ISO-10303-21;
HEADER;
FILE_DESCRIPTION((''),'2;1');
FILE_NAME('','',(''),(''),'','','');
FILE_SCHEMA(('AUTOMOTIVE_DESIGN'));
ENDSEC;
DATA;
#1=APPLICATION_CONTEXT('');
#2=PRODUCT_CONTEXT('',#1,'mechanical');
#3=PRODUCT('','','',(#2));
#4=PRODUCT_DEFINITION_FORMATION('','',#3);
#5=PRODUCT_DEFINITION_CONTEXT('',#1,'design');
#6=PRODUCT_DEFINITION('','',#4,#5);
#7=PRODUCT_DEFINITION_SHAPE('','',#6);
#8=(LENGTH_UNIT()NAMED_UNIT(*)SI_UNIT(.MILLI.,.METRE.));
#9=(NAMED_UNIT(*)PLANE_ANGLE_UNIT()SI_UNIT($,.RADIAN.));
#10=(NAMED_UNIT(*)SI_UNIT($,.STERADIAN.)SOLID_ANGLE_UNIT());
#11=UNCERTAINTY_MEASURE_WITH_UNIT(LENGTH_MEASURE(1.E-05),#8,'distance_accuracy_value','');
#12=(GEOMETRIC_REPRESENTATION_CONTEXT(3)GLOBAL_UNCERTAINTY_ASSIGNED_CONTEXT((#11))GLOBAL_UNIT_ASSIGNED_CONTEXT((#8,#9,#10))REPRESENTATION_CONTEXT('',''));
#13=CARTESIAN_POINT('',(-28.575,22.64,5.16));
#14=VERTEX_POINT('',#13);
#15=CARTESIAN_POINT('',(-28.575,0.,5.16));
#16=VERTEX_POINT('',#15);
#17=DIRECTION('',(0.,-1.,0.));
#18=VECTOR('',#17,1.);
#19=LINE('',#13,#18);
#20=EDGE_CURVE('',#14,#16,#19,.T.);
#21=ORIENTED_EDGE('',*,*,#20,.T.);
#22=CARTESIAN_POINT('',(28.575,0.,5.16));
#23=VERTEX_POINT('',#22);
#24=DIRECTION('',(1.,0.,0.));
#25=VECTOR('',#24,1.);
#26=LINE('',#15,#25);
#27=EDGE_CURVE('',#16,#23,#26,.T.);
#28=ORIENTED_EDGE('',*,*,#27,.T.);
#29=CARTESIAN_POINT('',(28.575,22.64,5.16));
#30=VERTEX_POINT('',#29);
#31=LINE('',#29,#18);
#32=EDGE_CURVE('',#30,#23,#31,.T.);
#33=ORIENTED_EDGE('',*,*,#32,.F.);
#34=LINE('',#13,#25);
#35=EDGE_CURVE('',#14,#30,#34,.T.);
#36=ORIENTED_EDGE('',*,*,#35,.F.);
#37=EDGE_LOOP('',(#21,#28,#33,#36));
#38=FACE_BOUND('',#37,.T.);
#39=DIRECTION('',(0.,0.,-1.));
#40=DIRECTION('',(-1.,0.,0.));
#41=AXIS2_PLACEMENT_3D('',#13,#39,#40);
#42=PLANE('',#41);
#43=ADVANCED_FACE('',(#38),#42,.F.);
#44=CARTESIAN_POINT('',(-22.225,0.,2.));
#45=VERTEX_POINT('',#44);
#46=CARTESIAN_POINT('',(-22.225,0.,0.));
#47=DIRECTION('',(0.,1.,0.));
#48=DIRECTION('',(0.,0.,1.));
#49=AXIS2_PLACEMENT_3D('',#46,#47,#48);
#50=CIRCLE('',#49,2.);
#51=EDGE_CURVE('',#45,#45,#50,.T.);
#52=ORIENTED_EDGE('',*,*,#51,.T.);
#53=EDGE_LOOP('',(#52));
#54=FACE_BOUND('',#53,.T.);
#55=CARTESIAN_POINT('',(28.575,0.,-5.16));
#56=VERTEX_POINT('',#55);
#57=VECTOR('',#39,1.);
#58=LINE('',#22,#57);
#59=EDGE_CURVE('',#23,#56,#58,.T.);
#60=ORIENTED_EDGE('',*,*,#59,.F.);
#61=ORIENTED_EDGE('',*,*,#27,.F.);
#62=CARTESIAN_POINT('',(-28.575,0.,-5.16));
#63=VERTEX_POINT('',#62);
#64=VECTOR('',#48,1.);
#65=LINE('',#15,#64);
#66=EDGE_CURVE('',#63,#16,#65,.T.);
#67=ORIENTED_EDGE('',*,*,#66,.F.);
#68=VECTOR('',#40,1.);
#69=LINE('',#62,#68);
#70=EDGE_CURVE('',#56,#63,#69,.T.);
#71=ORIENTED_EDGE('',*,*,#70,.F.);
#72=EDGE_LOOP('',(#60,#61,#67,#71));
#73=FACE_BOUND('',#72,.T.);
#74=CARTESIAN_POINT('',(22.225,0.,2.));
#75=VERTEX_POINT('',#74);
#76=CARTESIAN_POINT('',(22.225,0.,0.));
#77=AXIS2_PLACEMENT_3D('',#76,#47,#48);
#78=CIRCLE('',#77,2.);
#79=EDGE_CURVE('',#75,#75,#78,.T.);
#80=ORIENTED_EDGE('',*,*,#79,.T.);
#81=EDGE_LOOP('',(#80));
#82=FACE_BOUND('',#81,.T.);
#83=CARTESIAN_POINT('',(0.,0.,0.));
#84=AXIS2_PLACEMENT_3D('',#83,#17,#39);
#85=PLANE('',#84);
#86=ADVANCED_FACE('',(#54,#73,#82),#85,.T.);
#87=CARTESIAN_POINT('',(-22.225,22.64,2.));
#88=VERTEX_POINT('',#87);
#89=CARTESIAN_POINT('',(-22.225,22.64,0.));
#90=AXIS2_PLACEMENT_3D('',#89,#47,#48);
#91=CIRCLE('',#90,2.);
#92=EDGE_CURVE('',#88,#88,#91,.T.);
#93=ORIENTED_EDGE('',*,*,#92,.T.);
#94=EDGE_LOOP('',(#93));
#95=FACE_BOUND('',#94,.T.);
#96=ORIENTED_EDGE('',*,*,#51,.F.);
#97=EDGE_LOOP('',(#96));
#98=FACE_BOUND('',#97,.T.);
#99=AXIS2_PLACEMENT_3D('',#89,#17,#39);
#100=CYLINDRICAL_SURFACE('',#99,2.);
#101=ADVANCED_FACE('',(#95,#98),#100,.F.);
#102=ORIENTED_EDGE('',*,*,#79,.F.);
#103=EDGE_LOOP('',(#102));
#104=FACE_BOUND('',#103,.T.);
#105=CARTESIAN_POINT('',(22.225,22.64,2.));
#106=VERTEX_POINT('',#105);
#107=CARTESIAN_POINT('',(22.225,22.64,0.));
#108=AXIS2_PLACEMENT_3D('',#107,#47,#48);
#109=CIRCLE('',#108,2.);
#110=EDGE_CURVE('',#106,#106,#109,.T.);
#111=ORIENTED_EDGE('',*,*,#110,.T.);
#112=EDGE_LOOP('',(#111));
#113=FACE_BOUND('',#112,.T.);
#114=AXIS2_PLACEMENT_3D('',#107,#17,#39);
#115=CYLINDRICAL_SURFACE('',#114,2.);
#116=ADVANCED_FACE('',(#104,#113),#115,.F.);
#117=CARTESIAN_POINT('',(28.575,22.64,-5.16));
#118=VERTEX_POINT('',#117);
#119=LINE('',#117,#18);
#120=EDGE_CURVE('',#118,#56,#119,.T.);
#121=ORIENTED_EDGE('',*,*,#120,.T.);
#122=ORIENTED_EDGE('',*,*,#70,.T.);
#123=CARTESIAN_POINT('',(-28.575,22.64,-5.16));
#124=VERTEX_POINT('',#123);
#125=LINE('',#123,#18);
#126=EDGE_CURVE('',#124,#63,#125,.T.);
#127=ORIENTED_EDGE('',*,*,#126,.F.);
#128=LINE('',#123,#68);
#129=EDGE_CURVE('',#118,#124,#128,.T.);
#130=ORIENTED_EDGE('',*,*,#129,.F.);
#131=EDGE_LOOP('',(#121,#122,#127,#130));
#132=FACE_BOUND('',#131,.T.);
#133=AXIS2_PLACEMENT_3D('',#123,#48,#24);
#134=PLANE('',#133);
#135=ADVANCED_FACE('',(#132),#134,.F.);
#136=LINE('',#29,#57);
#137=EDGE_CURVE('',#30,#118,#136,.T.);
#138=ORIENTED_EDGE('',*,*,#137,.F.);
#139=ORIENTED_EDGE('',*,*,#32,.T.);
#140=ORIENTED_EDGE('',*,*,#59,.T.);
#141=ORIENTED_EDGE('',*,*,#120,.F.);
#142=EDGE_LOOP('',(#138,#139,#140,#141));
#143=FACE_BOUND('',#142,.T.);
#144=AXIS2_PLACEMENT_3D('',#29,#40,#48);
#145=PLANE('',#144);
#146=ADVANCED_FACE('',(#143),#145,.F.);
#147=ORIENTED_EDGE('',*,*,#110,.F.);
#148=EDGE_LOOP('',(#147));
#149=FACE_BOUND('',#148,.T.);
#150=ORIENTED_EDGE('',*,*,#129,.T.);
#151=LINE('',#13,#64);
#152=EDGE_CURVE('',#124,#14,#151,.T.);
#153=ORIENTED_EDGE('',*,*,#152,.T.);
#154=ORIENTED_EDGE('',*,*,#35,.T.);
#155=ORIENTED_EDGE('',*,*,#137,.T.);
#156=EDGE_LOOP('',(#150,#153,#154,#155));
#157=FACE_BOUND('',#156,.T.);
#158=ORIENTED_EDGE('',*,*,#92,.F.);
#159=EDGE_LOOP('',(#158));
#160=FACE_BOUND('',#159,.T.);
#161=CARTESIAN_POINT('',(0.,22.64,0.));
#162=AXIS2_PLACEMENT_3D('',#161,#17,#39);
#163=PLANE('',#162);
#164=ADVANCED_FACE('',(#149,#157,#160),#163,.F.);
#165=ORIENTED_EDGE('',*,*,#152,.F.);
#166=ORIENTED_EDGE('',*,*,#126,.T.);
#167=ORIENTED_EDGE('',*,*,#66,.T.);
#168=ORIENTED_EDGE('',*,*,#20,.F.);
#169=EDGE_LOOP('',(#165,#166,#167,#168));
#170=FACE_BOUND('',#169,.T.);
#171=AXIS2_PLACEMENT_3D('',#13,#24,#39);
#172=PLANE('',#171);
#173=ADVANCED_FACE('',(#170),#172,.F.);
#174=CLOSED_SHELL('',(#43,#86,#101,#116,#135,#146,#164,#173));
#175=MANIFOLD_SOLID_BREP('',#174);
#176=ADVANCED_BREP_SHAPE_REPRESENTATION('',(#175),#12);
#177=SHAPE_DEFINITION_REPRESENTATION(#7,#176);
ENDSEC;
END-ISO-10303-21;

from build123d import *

# Parameters (mm, degrees)
SKETCH1_W           = 57.15
SKETCH1_H           = 10.32
SKETCH1_R           = 2
BOSS_EXTRUDE1_DEPTH = 22.64


with BuildPart() as part:
    # Sketch1 → Boss-Extrude1 (new body)
    with BuildSketch(Plane(origin=(0, 0, 0), x_dir=(1, 0, 0), z_dir=(0, 1, 0))):
        Rectangle(SKETCH1_W, SKETCH1_H)
        with Locations((-22.225, 0)):
            Circle(SKETCH1_R, mode=Mode.SUBTRACT)
        with Locations((22.225, 0)):
            Circle(SKETCH1_R, mode=Mode.SUBTRACT)
    extrude(amount=BOSS_EXTRUDE1_DEPTH)


solid = part.part
